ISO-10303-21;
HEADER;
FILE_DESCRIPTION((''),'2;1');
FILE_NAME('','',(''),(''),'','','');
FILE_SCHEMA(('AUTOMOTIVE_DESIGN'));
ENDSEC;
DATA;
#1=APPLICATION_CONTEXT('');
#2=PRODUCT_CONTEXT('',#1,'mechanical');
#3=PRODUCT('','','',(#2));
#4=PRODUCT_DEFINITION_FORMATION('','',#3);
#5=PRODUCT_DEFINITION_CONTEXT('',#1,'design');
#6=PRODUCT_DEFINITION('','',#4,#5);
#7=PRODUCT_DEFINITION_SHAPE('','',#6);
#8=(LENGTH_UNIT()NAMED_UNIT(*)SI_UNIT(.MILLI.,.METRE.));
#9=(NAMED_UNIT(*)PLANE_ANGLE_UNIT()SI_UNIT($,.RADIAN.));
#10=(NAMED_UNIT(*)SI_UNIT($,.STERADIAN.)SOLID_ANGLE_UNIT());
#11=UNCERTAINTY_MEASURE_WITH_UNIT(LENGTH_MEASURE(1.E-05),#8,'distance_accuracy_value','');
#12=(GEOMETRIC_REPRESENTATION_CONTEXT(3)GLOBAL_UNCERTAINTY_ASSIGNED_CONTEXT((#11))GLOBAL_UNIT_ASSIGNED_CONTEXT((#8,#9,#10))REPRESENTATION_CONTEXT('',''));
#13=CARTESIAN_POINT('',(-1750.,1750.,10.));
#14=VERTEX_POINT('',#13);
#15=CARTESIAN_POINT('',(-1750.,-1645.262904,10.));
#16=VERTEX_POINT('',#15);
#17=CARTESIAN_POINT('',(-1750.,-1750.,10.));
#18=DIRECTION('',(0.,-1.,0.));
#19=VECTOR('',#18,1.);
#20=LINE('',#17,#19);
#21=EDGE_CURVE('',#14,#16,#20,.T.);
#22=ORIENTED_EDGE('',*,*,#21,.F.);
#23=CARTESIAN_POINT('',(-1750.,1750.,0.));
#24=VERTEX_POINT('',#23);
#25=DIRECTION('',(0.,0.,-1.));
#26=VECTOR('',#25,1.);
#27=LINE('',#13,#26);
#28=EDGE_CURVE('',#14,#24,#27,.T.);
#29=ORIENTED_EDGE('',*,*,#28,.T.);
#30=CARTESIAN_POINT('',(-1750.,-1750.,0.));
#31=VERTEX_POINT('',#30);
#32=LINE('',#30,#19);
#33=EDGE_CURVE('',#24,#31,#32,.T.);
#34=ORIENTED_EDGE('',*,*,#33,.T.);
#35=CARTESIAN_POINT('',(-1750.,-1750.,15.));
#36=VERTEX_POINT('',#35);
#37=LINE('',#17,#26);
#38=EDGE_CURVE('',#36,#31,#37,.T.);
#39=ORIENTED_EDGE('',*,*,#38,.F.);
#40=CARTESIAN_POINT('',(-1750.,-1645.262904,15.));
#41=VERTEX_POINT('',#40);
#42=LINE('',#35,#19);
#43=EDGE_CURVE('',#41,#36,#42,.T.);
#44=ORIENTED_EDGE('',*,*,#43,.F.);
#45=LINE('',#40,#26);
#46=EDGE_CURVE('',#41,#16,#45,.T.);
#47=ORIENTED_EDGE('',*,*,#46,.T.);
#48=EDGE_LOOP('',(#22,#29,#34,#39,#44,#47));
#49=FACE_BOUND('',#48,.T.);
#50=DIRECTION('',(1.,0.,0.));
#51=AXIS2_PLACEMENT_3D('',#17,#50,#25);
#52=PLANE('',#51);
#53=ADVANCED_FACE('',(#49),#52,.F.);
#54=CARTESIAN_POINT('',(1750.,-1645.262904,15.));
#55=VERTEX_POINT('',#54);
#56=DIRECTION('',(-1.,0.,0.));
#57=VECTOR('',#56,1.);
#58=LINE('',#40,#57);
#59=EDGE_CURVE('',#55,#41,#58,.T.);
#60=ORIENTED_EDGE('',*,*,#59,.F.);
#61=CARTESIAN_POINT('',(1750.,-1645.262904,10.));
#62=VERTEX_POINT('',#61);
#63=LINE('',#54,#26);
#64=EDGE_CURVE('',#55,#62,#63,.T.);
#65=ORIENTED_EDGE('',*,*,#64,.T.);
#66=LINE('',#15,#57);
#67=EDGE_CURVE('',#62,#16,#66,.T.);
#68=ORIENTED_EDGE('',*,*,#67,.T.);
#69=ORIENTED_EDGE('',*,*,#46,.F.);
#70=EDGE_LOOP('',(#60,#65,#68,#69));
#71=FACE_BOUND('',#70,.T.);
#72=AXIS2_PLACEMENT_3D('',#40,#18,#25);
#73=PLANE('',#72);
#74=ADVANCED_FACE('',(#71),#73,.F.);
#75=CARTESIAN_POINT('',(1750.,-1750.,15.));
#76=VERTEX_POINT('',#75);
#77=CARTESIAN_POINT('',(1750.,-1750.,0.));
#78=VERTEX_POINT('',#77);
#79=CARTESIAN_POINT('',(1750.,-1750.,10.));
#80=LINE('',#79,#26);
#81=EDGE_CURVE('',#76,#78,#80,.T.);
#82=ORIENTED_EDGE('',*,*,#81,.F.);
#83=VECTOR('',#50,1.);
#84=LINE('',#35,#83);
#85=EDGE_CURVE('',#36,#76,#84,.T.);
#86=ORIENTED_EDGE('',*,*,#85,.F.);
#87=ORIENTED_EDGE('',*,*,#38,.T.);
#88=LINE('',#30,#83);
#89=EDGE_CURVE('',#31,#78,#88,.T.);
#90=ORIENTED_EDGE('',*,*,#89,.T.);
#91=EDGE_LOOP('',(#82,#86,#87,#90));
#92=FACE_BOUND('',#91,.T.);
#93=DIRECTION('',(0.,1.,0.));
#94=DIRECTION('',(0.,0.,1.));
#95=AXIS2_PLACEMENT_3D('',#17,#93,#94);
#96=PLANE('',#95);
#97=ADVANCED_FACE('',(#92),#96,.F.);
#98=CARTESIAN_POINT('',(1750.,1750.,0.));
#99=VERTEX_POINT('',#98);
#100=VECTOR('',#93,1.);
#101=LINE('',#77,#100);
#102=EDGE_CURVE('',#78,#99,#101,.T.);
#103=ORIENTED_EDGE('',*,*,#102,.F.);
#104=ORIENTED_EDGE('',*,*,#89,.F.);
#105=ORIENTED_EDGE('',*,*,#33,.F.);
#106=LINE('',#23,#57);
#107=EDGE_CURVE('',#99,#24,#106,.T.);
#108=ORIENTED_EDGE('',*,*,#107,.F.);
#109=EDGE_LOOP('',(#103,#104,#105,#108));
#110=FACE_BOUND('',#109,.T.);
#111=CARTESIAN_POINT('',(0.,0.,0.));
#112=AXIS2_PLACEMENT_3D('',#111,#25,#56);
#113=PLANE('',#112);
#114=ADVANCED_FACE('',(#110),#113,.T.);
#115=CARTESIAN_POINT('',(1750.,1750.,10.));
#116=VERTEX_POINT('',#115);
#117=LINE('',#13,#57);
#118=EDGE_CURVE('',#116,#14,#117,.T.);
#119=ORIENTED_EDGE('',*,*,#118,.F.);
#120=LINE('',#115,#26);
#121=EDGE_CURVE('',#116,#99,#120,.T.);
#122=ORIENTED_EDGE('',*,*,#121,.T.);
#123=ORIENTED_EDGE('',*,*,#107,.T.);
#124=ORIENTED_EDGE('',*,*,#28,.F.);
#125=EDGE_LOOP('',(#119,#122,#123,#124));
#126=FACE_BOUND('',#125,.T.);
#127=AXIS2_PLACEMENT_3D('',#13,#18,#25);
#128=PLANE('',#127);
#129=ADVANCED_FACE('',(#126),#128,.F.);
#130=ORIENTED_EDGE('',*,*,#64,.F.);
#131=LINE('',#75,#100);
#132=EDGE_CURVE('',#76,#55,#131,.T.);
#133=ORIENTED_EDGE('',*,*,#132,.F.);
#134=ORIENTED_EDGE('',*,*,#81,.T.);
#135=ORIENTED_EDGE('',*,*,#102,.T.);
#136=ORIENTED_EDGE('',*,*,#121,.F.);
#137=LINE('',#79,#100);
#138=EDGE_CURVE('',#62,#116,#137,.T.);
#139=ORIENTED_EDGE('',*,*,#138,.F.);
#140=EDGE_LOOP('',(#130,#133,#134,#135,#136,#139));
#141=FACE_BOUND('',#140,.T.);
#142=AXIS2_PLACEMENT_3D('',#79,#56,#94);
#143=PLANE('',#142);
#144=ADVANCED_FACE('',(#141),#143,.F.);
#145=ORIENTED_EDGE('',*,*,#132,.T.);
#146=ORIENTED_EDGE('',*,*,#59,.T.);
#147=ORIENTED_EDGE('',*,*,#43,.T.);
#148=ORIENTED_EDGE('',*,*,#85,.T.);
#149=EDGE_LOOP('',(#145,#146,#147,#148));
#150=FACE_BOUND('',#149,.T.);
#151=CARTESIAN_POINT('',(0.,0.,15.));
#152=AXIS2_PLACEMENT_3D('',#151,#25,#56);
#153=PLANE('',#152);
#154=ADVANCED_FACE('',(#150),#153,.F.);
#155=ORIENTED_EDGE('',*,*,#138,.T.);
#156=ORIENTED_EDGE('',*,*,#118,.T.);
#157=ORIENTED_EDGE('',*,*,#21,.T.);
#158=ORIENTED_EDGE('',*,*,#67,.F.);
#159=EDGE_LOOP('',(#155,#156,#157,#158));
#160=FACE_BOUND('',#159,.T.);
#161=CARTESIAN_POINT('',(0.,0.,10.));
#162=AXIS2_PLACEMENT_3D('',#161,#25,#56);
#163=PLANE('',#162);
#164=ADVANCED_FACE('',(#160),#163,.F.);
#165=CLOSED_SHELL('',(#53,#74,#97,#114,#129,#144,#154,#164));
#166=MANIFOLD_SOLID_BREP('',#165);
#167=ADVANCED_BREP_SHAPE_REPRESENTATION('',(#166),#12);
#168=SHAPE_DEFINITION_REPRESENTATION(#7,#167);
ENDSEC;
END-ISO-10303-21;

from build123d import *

# Parameters (mm, degrees)
SKETCH1_W           = 3500
SKETCH1_H           = 3500
BOSS_EXTRUDE1_DEPTH = 10
SKETCH2_W           = 3500
SKETCH2_H           = 104.737095793
BOSS_EXTRUDE2_DEPTH = 5


with BuildPart() as part:
    # Sketch1 → Boss-Extrude1 (new body)
    with BuildSketch(Plane.XY):
        Rectangle(SKETCH1_W, SKETCH1_H)
    extrude(amount=BOSS_EXTRUDE1_DEPTH)

    # Sketch2 → Boss-Extrude2 (add)
    with BuildSketch(Plane.XY.offset(10)):
        with Locations((0, -1697.631452104)):
            Rectangle(SKETCH2_W, SKETCH2_H)
    extrude(amount=BOSS_EXTRUDE2_DEPTH)


solid = part.part
